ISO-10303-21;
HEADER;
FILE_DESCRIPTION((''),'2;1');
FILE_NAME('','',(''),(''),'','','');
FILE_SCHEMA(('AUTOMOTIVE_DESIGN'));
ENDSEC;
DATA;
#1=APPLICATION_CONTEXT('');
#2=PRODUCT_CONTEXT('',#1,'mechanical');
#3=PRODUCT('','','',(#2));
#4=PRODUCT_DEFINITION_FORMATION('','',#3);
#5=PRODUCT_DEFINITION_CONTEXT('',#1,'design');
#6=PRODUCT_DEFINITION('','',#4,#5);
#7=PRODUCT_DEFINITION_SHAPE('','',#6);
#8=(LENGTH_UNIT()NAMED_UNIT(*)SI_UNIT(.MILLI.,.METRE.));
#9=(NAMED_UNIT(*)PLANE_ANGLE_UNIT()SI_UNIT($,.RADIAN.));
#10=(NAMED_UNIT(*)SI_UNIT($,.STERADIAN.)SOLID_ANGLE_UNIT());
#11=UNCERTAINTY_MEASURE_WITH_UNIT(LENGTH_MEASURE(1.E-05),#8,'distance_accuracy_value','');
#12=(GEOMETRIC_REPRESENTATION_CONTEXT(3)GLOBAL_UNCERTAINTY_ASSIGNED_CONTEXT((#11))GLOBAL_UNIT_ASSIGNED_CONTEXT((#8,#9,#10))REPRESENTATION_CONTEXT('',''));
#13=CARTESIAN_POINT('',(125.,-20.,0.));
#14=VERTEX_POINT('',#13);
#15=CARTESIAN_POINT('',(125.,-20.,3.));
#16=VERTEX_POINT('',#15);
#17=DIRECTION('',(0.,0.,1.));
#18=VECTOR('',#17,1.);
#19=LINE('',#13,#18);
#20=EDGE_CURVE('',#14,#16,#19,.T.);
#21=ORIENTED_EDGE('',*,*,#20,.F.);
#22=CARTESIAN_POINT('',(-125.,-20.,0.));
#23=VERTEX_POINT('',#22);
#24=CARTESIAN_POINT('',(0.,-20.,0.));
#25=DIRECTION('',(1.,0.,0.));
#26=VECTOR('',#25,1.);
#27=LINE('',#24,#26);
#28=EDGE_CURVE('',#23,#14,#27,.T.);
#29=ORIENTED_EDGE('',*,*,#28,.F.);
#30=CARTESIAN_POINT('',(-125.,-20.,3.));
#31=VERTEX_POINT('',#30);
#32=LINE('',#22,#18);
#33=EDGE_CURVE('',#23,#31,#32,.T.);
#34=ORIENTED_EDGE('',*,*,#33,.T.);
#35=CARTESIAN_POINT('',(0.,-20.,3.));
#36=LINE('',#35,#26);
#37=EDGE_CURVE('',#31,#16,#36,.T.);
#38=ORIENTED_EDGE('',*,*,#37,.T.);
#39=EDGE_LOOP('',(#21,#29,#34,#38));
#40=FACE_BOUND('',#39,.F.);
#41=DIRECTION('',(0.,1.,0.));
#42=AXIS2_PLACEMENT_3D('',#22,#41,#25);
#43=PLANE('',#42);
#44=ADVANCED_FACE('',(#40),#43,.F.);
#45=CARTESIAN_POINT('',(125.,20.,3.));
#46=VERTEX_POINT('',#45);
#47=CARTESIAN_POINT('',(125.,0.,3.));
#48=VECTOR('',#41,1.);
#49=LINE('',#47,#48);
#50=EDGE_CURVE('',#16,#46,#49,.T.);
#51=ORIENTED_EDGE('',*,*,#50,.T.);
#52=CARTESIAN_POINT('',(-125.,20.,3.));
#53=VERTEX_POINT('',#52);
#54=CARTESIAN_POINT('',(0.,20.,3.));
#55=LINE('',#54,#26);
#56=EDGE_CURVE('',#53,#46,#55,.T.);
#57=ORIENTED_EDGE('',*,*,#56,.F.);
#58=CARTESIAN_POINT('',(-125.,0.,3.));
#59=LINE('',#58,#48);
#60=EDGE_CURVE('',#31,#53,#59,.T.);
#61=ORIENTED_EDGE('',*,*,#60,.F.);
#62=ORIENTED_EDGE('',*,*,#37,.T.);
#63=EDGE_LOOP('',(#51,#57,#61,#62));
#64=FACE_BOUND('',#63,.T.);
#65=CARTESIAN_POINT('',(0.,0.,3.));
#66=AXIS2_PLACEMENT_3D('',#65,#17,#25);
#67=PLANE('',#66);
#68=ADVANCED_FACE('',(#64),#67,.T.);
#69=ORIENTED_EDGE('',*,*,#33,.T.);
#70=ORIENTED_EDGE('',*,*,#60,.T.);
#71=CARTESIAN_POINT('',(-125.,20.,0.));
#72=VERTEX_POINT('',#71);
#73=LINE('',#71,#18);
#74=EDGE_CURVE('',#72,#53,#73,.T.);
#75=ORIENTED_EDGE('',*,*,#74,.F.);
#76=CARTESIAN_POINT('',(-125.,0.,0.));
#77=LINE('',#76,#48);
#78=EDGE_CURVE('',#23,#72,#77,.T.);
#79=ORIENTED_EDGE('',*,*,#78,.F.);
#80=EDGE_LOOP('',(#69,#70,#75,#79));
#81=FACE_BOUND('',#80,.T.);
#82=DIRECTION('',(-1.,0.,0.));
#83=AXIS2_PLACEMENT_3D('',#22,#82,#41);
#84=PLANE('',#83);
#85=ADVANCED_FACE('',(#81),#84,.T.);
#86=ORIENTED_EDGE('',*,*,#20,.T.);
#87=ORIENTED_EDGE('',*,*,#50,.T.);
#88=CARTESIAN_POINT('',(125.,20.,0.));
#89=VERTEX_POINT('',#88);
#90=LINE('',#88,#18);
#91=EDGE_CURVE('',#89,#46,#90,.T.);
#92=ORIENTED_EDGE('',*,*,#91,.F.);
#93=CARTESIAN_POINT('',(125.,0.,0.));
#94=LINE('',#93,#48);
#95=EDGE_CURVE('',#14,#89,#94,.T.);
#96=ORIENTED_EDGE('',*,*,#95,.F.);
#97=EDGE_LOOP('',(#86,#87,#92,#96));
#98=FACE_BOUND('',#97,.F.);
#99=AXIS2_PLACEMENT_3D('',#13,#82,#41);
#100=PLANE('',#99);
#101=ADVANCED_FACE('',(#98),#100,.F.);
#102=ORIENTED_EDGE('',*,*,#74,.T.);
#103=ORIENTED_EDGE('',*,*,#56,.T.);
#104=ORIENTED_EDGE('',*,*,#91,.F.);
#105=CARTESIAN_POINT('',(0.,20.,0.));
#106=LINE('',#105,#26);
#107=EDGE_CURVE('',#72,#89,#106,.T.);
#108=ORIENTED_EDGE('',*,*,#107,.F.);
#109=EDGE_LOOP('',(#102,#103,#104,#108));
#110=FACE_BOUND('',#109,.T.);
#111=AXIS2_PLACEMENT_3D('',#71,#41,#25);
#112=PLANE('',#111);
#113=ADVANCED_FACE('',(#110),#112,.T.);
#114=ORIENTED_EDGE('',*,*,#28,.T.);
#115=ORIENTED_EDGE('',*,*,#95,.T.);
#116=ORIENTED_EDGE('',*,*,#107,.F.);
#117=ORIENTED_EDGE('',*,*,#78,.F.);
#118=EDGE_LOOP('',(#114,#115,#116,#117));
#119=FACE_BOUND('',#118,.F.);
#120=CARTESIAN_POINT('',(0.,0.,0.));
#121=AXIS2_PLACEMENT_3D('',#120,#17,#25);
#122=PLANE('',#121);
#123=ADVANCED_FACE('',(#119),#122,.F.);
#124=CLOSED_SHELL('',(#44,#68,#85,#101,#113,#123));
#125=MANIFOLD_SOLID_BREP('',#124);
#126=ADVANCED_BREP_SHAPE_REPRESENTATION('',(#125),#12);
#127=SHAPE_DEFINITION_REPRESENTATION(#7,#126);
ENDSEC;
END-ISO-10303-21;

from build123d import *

# Parameters (mm, degrees)
SKETCH_W  = 250
SKETCH_H  = 40
PAD_DEPTH = 3


with BuildPart() as part:
    # Sketch → Pad (new body)
    with BuildSketch(Plane.XY):
        Rectangle(SKETCH_W, SKETCH_H)
    extrude(amount=PAD_DEPTH)


solid = part.part
